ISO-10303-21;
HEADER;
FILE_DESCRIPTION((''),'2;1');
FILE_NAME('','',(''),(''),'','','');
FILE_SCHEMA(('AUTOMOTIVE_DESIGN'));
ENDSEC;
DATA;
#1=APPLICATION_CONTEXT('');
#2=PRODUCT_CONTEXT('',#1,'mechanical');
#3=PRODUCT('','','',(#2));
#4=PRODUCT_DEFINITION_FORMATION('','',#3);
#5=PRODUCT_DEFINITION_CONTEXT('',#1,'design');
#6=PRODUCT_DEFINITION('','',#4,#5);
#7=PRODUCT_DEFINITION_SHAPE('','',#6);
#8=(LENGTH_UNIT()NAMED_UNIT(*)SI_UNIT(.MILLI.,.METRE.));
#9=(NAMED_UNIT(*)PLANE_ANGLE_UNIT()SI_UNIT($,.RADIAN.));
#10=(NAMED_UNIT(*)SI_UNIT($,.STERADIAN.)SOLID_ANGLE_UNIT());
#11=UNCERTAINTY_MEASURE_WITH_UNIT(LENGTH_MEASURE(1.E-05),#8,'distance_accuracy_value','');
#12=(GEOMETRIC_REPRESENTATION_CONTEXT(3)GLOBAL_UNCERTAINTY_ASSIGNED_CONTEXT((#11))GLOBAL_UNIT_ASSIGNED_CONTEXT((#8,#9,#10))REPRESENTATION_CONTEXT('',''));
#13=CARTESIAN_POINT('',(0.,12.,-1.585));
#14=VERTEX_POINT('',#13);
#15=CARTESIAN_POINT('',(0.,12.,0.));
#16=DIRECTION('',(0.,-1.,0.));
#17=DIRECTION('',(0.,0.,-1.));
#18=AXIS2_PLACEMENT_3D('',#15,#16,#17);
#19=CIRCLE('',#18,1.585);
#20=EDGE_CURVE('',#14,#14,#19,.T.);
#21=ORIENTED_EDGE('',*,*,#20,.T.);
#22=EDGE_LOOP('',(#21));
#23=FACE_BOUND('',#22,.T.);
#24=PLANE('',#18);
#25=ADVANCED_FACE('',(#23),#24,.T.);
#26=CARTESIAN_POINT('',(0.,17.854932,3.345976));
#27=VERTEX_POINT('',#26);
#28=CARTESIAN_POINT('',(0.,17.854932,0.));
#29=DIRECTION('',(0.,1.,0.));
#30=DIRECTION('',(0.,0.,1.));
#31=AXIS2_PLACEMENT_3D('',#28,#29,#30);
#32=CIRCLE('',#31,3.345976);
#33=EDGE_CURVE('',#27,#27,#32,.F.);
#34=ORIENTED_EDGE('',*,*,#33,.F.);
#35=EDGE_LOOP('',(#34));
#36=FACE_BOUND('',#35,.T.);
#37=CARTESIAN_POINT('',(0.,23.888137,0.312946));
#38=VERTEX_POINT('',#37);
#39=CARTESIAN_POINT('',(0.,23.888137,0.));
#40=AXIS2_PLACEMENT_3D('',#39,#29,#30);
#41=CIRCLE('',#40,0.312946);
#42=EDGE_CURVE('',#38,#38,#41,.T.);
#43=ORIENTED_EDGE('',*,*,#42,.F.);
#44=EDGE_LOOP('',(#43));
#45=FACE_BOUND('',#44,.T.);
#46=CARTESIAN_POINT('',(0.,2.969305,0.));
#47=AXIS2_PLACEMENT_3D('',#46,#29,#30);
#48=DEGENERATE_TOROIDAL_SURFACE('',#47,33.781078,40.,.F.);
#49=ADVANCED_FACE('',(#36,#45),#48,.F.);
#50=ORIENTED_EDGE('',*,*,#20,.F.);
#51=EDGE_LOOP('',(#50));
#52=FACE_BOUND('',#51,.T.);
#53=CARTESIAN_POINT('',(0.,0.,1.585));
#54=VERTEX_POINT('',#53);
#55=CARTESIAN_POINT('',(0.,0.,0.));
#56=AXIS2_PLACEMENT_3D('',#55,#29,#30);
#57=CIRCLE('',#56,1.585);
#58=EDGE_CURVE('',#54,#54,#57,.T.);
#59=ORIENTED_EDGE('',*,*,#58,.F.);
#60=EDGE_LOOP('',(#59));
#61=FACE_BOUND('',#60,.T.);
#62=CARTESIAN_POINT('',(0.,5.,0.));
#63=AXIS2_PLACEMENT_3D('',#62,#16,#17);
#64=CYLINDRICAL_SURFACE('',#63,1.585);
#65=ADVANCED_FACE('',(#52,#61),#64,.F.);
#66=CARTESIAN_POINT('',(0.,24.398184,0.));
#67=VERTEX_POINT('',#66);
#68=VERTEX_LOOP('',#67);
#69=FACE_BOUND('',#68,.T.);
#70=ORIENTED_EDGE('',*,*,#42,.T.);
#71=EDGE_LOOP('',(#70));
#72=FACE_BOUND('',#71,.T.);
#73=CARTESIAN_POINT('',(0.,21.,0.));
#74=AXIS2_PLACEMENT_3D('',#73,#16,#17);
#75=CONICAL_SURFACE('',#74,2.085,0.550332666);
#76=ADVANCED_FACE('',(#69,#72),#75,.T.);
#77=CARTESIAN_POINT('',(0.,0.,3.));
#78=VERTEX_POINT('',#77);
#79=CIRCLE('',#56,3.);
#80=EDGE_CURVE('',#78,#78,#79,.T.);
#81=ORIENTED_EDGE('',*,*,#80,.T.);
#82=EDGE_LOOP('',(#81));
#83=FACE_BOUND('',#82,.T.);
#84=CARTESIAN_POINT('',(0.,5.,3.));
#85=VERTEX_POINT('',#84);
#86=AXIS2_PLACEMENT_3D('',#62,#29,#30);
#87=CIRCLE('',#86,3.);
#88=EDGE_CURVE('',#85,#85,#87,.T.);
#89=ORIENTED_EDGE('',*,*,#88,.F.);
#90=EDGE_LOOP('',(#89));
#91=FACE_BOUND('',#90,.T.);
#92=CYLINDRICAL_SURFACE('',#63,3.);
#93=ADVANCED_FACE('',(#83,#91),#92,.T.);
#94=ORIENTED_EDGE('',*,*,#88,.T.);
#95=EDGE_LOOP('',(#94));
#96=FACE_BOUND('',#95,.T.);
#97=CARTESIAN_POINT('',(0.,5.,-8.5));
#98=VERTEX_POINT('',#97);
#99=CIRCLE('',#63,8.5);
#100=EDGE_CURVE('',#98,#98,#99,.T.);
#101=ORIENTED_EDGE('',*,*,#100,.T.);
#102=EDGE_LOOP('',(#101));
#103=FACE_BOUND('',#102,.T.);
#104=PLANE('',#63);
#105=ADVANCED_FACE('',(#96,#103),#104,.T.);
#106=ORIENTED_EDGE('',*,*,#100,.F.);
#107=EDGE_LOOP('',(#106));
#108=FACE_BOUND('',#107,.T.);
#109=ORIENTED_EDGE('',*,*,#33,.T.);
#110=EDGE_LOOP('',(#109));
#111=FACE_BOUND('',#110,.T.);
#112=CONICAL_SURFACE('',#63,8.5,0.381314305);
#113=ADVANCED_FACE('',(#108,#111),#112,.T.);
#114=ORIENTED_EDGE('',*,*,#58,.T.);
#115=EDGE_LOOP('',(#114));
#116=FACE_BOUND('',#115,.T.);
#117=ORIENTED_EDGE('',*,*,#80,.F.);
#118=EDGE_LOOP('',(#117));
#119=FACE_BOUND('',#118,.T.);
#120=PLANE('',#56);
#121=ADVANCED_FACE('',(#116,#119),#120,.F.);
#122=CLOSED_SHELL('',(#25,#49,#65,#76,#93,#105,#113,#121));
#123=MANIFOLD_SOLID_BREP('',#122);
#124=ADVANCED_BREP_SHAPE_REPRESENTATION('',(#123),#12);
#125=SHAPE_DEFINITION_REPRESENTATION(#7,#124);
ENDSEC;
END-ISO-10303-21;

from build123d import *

# Parameters (mm, degrees)
SKETCH1_R           = 3
SKETCH1_R_2         = 1.585
BOSS_EXTRUDE1_DEPTH = 5
FILLET1_R           = 40
SKETCH8_R           = 1.585
CUT_EXTRUDE1_DEPTH  = 7


with BuildPart() as part:
    # Sketch1 → Boss-Extrude1 (new body)
    with BuildSketch(Plane(origin=(0, 0, 0), x_dir=(1, 0, 0), z_dir=(0, 1, 0))):
        Circle(SKETCH1_R)
        Circle(SKETCH1_R_2, mode=Mode.SUBTRACT)
    extrude(amount=BOSS_EXTRUDE1_DEPTH)

    # Sketch4 → Revolve6 (revolve)
    with BuildSketch(Plane.XY):
        Polygon((8.5, 5), (2.085, 21), (0, 21), (0, 5), align=None)
    revolve(axis=Axis((0, 5, 0), (0, 1, 0)))

    # Sketch7 → Revolve7 (revolve)
    with BuildSketch(Plane.XY):
        Polygon((0, 21), (2.085, 21), (0, 24.39818393), align=None)
    revolve(axis=Axis((0, 21, 0), (0, 1, 0)))

    # Fillet1
    fillet1_edges = [part.edges().sort_by_distance(p)[0] for p in [
        (-2.085, 21, 0),
    ]]
    fillet(fillet1_edges, radius=FILLET1_R)

    # Sketch8 → Cut-Extrude1 (cut)
    with BuildSketch(Plane.XZ.offset(-5)):
        Circle(SKETCH8_R)
    extrude(amount=-CUT_EXTRUDE1_DEPTH, mode=Mode.SUBTRACT)


solid = part.part
